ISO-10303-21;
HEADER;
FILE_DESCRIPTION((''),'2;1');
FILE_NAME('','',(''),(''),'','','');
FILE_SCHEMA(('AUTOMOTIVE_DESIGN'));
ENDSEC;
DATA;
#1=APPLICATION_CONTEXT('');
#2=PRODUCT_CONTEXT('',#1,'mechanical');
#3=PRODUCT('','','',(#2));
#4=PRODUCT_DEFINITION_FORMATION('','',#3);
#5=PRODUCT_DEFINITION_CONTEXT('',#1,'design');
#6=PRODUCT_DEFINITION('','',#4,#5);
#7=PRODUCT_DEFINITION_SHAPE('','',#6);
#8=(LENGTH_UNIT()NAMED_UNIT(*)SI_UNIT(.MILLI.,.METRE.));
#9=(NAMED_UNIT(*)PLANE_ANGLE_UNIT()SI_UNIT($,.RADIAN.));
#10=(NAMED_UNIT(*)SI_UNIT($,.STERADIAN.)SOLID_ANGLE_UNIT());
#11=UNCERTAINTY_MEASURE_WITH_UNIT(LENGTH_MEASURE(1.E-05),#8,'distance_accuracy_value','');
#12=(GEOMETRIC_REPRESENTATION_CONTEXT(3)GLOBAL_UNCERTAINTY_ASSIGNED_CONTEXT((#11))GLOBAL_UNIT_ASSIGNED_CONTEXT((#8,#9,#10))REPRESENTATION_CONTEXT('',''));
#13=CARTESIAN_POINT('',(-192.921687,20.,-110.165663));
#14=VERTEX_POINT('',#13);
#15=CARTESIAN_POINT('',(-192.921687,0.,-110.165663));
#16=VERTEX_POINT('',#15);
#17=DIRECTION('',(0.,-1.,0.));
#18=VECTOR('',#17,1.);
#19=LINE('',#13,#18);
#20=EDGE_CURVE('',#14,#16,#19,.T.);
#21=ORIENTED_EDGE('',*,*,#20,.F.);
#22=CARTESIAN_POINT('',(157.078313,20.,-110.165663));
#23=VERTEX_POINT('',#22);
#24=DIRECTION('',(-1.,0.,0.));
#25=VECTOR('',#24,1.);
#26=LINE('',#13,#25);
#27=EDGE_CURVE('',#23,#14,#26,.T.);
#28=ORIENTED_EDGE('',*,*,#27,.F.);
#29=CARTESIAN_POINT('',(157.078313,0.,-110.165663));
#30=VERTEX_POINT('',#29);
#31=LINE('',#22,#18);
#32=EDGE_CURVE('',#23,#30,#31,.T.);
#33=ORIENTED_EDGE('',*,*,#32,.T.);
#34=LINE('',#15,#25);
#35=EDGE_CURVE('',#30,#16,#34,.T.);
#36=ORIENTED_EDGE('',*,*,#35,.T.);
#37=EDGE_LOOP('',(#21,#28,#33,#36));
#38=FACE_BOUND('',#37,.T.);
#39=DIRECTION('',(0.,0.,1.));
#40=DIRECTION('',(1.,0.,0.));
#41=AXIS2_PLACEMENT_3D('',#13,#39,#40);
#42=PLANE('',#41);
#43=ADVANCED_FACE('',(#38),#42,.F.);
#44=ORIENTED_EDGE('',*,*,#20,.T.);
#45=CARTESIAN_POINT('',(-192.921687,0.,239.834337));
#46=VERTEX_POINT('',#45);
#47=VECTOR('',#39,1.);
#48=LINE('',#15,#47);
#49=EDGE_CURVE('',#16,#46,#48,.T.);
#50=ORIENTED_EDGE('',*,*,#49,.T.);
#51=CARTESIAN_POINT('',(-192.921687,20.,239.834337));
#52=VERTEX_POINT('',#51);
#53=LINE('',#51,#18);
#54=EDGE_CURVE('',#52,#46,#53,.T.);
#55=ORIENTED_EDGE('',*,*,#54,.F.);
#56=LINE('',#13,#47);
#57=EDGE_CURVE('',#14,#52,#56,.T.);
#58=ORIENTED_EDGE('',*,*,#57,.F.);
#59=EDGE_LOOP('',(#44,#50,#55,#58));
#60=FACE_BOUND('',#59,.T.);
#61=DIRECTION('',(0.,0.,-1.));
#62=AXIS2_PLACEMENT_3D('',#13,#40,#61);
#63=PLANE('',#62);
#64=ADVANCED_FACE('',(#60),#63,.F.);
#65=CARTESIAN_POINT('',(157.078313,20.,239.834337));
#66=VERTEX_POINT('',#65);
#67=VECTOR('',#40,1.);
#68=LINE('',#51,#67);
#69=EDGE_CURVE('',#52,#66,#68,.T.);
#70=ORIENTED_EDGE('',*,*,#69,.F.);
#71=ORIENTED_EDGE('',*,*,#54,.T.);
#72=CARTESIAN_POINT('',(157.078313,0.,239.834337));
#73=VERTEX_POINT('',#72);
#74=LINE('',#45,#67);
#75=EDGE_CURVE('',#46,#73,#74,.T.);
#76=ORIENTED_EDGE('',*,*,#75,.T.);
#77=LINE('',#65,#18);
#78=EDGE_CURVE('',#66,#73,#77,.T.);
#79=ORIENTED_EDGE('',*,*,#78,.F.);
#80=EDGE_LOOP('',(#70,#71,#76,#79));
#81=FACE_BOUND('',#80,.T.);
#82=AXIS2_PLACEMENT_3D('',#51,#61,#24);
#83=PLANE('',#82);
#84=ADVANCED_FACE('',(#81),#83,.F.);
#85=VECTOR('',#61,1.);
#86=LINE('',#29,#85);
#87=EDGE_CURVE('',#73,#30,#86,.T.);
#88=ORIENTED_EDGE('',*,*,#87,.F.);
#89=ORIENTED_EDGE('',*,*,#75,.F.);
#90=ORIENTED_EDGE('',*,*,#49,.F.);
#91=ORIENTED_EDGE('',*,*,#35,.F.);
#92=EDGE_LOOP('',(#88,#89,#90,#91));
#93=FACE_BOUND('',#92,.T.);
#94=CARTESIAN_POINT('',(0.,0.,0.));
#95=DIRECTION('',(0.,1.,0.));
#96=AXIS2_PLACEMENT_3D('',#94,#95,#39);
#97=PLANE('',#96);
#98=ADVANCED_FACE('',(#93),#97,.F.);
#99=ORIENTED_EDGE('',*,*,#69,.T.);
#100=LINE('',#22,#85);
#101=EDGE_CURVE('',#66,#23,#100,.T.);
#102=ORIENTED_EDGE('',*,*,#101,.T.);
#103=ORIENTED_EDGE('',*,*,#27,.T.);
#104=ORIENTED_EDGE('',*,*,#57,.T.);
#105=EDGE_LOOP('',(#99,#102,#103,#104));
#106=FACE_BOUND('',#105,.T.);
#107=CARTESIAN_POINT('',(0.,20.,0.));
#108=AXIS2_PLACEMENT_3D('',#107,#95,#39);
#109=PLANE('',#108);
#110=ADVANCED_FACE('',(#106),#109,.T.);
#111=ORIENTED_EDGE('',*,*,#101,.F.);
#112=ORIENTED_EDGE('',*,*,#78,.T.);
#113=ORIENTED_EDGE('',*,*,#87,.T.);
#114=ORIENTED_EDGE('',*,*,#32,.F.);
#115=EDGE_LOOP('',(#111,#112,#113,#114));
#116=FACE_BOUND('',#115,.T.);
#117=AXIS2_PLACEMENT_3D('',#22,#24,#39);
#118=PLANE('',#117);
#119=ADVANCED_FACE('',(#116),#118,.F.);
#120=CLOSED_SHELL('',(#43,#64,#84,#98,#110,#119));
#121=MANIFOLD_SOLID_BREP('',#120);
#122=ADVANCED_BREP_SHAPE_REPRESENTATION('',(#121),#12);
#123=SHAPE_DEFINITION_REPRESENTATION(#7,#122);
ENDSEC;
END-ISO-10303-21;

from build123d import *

# Parameters (mm, degrees)
SKETCH1_W           = 350
SKETCH1_H           = 350
BOSS_EXTRUDE1_DEPTH = 20


with BuildPart() as part:
    # Sketch1 → Boss-Extrude1 (new body)
    with BuildSketch(Plane(origin=(0, 0, 0), x_dir=(1, 0, 0), z_dir=(0, 1, 0))):
        with Locations((-17.921686747, -64.834337349)):
            Rectangle(SKETCH1_W, SKETCH1_H)
    extrude(amount=BOSS_EXTRUDE1_DEPTH)


solid = part.part
